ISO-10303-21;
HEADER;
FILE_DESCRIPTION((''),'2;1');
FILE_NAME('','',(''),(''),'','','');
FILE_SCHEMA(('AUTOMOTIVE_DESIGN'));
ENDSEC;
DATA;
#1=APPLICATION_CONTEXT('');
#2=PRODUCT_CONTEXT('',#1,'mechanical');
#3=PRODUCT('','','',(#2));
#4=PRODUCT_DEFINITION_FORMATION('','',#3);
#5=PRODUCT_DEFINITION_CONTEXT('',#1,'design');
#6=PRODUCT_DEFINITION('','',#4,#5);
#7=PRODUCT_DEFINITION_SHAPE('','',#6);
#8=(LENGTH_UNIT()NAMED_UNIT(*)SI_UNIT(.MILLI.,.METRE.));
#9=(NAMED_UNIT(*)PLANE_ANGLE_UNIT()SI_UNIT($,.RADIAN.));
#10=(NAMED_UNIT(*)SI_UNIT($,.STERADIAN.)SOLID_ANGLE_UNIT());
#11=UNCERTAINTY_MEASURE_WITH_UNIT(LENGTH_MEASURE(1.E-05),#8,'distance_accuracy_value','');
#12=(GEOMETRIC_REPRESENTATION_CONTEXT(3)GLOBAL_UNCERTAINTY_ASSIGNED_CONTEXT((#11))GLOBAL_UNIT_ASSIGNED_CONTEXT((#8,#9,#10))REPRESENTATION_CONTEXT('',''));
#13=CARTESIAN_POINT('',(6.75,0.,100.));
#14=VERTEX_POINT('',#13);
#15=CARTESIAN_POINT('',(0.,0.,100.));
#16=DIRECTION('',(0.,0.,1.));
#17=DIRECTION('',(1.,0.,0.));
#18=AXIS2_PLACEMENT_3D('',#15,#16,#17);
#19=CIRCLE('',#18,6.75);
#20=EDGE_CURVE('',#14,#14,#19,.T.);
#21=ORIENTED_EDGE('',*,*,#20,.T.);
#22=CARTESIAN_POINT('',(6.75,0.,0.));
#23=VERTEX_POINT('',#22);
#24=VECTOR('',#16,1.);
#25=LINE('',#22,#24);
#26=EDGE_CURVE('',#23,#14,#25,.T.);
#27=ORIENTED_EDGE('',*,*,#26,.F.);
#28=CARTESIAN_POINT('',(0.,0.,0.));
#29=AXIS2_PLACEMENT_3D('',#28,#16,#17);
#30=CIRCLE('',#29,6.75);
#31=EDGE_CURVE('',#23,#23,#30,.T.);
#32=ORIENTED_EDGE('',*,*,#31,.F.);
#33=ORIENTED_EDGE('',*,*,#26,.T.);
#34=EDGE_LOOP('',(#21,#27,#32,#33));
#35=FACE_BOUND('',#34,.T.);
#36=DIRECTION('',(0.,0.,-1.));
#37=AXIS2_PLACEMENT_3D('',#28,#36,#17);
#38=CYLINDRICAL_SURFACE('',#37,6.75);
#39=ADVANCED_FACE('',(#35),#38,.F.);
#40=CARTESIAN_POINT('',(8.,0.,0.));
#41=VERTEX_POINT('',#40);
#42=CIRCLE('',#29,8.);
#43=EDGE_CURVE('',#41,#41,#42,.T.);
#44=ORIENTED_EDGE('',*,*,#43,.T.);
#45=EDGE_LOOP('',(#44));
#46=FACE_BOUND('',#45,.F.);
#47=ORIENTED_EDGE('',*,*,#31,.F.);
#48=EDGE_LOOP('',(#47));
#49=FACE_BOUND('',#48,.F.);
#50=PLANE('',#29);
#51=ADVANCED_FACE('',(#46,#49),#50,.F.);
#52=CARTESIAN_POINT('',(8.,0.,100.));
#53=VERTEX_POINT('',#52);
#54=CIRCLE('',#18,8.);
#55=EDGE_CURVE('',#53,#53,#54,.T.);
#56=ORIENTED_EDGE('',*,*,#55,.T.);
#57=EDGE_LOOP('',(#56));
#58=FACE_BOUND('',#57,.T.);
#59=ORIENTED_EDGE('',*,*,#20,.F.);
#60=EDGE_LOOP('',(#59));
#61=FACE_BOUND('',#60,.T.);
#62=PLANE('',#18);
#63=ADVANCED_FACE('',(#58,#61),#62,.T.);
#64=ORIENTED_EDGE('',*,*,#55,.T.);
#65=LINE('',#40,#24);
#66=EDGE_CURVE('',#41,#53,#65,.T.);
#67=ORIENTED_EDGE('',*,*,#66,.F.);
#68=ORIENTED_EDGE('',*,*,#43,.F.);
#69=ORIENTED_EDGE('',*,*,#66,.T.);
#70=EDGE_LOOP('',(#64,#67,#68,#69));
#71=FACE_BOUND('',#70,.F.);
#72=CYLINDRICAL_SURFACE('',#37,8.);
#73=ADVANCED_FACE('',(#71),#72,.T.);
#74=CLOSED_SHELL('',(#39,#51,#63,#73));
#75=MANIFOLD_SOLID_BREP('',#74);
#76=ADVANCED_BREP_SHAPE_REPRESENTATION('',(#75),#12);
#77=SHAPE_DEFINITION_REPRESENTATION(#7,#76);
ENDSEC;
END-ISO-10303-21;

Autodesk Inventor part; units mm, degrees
ref_plane "YZ Plane" through (0, 0, 0) normal (1, 0, 0) x (0, 1, 0)
ref_plane "XZ Plane" through (0, 0, 0) normal (0, 1, 0) x (-1, 0, 0)
ref_plane "XY Plane" through (0, 0, 0) normal (0, 0, 1) x (1, 0, 0)
sketch "Sketch1" plane through (0, 0, 0) normal (0, 0, 1) x (1, 0, 0)
  circle A0 centre (0, 0) radius 6.75 projected
  circle A1 centre (0, 0) radius 8 projected
extrude "Extrusion1" add sketch "Sketch1" along normal blind 100
properties part number "tube"
